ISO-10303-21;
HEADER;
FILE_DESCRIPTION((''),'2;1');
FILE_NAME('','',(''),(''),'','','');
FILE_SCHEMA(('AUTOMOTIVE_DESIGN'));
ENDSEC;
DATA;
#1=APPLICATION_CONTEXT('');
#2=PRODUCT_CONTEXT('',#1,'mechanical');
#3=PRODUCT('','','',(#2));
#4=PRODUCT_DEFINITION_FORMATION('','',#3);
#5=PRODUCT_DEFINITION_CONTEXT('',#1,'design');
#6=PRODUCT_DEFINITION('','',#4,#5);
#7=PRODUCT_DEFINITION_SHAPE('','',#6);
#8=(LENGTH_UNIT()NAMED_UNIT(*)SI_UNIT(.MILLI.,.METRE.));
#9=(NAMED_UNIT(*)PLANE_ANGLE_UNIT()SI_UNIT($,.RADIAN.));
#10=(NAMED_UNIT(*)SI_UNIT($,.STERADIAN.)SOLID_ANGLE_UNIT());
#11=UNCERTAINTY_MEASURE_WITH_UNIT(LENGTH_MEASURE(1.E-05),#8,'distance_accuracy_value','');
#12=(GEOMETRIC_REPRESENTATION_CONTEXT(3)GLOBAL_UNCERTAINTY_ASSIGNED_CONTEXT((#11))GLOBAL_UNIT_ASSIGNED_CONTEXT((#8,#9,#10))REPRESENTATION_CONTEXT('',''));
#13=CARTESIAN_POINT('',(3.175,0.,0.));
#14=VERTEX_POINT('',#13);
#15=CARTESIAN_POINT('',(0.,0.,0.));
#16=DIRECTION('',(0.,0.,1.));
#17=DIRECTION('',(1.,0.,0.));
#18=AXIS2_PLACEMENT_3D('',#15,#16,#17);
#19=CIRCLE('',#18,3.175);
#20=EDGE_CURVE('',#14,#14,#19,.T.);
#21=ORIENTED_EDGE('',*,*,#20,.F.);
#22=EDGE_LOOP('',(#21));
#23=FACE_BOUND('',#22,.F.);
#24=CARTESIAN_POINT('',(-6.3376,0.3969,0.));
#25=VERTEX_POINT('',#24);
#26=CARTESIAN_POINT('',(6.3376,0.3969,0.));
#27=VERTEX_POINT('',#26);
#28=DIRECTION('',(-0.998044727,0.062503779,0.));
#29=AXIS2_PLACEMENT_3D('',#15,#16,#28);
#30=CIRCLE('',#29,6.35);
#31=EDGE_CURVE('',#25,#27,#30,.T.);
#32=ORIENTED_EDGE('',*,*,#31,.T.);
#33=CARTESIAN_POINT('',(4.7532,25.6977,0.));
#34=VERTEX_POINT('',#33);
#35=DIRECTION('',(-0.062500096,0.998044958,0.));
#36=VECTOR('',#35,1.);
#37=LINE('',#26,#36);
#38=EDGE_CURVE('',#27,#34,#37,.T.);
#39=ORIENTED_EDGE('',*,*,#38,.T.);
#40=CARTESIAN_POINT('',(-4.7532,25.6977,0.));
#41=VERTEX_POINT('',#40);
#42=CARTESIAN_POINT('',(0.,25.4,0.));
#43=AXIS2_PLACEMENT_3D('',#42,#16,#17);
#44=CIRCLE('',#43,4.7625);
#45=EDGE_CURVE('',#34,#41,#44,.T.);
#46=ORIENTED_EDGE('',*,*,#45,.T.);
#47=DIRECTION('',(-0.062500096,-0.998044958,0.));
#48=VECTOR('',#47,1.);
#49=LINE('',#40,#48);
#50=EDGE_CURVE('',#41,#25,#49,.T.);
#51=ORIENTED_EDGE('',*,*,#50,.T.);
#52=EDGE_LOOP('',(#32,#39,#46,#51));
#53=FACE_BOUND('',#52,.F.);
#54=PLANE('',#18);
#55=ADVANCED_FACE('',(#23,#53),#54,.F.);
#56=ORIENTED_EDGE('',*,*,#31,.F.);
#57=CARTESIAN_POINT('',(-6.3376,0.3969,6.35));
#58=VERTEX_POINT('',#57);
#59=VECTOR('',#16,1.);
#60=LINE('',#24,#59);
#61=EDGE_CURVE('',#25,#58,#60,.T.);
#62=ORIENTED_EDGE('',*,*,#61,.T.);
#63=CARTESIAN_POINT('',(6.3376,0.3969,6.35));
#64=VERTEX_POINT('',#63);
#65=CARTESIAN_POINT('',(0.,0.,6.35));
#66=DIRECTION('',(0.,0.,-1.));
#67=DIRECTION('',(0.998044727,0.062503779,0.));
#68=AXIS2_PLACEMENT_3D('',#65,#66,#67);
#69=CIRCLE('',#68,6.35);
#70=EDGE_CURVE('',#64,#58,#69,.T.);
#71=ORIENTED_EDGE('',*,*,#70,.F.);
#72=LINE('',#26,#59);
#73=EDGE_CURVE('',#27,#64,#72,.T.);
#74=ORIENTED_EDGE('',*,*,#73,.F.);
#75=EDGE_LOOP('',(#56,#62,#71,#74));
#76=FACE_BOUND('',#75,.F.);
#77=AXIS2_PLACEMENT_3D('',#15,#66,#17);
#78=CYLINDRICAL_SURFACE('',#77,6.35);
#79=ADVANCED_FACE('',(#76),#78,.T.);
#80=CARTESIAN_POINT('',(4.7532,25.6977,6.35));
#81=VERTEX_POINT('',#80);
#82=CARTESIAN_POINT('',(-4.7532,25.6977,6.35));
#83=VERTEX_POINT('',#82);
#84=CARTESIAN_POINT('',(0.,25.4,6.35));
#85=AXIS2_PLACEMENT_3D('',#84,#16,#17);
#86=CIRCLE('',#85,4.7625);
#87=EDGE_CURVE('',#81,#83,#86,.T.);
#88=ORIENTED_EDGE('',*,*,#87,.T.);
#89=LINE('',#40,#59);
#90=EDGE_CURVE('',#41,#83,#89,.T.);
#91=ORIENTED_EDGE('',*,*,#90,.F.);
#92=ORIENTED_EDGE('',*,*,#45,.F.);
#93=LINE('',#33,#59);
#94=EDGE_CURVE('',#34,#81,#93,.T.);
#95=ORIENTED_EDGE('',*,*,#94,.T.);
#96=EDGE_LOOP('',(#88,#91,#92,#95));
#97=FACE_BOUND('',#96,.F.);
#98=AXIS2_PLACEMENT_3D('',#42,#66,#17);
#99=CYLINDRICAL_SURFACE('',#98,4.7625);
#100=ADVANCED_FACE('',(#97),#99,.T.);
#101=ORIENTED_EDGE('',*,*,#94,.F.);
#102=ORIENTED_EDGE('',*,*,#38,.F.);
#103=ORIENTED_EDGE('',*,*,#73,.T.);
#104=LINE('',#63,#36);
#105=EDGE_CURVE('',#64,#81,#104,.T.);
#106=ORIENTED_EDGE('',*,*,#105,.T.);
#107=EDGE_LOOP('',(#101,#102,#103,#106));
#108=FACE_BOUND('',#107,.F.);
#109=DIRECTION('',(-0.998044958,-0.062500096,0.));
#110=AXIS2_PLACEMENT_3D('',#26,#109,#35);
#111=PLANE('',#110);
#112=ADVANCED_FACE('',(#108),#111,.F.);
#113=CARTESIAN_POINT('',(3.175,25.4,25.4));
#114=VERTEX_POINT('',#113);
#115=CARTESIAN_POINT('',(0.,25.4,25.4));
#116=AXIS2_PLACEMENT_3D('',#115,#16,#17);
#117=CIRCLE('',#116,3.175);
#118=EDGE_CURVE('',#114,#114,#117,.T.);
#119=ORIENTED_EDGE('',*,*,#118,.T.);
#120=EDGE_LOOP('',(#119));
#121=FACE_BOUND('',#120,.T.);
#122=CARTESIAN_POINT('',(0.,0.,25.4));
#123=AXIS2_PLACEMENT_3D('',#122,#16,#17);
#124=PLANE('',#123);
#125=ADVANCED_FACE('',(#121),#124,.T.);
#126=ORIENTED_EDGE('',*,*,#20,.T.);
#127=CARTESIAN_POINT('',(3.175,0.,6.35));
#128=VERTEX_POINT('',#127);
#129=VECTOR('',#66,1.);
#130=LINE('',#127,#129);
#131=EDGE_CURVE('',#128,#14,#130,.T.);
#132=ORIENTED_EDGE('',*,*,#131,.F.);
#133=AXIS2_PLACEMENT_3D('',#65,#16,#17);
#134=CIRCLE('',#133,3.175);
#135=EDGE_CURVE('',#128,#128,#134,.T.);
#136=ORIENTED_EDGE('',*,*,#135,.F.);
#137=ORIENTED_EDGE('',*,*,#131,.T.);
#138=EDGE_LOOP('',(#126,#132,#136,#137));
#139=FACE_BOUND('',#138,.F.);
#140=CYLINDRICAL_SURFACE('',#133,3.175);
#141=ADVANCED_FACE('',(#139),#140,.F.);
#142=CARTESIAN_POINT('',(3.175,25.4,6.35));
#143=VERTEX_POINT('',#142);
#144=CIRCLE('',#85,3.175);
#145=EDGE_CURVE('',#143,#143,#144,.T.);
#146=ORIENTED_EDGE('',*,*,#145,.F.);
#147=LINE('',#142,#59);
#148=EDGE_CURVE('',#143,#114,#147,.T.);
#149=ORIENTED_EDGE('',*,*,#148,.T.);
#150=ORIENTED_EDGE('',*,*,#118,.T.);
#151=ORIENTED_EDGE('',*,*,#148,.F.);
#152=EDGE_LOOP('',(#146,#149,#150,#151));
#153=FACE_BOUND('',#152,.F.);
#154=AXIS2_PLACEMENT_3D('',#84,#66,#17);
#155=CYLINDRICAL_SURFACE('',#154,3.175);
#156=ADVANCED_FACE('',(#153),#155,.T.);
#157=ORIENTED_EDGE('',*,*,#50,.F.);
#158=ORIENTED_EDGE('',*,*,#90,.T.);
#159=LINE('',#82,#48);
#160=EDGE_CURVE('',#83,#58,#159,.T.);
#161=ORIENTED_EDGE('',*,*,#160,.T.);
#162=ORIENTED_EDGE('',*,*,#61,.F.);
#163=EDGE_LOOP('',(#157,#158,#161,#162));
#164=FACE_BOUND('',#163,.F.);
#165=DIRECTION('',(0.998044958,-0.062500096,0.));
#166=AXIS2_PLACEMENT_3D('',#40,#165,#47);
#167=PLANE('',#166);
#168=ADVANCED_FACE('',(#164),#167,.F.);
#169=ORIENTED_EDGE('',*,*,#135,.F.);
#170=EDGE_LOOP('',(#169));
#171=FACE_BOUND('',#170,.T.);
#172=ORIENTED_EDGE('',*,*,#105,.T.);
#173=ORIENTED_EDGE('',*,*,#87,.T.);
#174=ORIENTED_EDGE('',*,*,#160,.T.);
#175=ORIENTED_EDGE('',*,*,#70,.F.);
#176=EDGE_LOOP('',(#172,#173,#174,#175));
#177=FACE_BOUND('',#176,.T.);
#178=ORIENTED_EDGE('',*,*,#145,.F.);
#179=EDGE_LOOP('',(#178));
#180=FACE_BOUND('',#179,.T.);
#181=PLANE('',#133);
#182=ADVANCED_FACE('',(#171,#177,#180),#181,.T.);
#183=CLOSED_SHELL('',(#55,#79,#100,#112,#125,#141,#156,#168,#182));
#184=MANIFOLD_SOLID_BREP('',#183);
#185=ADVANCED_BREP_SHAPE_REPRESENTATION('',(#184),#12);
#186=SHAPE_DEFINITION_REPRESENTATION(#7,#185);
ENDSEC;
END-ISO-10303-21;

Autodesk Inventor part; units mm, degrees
ref_plane "YZ Plane" through (0, 0, 0) normal (1, 0, 0) x (0, 1, 0)
ref_plane "XZ Plane" through (0, 0, 0) normal (0, 1, 0) x (-1, 0, 0)
ref_plane "XY Plane" through (0, 0, 0) normal (0, 0, 1) x (1, 0, 0)
sketch "Sketch1" plane through (0, 0, 0) normal (0, 0, 1) x (1, 0, 0)
  circle A0 centre (0, 0) radius 6.35
  circle A1 centre (0, 25.4) radius 4.7625
  line L0 (0, 25.4) -> (0, 0)
  line L1 (-4.7532, 25.6977) -> (-6.3376, 0.3969)
  line L2 (6.3376, 0.3969) -> (4.7532, 25.6977)
  dimension "d0" = 12.7
  dimension "d1" = 9.525
  dimension "d2" = 25.4
extrude "Extrusion1" add sketch "Sketch1" along normal blind 6.35
sketch "Sketch2" plane through (0, 0, 6.35) normal (0, 0, 1) x (1, 0, 0)
  arc A0 (-6.3376, 0.3969) -> (6.3376, 0.3969) centre (0, 0) ccw projected
  circle A1 centre (0, 0) radius 3.175
  dimension "d5" = 6.35
extrude "Extrusion2" cut sketch "Sketch2" against normal through all
sketch "Sketch3" plane through (0, 0, 6.35) normal (0, 0, 1) x (1, 0, 0)
  arc A0 (4.7532, 25.6977) -> (-4.7532, 25.6977) centre (0, 25.4) ccw projected
  circle A1 centre (0, 25.4) radius 3.175
  dimension "d8" = 6.35
extrude "Extrusion3" add sketch "Sketch3" along normal blind 19.05
properties part number "Crank Handle" material "PPS Plastic"
